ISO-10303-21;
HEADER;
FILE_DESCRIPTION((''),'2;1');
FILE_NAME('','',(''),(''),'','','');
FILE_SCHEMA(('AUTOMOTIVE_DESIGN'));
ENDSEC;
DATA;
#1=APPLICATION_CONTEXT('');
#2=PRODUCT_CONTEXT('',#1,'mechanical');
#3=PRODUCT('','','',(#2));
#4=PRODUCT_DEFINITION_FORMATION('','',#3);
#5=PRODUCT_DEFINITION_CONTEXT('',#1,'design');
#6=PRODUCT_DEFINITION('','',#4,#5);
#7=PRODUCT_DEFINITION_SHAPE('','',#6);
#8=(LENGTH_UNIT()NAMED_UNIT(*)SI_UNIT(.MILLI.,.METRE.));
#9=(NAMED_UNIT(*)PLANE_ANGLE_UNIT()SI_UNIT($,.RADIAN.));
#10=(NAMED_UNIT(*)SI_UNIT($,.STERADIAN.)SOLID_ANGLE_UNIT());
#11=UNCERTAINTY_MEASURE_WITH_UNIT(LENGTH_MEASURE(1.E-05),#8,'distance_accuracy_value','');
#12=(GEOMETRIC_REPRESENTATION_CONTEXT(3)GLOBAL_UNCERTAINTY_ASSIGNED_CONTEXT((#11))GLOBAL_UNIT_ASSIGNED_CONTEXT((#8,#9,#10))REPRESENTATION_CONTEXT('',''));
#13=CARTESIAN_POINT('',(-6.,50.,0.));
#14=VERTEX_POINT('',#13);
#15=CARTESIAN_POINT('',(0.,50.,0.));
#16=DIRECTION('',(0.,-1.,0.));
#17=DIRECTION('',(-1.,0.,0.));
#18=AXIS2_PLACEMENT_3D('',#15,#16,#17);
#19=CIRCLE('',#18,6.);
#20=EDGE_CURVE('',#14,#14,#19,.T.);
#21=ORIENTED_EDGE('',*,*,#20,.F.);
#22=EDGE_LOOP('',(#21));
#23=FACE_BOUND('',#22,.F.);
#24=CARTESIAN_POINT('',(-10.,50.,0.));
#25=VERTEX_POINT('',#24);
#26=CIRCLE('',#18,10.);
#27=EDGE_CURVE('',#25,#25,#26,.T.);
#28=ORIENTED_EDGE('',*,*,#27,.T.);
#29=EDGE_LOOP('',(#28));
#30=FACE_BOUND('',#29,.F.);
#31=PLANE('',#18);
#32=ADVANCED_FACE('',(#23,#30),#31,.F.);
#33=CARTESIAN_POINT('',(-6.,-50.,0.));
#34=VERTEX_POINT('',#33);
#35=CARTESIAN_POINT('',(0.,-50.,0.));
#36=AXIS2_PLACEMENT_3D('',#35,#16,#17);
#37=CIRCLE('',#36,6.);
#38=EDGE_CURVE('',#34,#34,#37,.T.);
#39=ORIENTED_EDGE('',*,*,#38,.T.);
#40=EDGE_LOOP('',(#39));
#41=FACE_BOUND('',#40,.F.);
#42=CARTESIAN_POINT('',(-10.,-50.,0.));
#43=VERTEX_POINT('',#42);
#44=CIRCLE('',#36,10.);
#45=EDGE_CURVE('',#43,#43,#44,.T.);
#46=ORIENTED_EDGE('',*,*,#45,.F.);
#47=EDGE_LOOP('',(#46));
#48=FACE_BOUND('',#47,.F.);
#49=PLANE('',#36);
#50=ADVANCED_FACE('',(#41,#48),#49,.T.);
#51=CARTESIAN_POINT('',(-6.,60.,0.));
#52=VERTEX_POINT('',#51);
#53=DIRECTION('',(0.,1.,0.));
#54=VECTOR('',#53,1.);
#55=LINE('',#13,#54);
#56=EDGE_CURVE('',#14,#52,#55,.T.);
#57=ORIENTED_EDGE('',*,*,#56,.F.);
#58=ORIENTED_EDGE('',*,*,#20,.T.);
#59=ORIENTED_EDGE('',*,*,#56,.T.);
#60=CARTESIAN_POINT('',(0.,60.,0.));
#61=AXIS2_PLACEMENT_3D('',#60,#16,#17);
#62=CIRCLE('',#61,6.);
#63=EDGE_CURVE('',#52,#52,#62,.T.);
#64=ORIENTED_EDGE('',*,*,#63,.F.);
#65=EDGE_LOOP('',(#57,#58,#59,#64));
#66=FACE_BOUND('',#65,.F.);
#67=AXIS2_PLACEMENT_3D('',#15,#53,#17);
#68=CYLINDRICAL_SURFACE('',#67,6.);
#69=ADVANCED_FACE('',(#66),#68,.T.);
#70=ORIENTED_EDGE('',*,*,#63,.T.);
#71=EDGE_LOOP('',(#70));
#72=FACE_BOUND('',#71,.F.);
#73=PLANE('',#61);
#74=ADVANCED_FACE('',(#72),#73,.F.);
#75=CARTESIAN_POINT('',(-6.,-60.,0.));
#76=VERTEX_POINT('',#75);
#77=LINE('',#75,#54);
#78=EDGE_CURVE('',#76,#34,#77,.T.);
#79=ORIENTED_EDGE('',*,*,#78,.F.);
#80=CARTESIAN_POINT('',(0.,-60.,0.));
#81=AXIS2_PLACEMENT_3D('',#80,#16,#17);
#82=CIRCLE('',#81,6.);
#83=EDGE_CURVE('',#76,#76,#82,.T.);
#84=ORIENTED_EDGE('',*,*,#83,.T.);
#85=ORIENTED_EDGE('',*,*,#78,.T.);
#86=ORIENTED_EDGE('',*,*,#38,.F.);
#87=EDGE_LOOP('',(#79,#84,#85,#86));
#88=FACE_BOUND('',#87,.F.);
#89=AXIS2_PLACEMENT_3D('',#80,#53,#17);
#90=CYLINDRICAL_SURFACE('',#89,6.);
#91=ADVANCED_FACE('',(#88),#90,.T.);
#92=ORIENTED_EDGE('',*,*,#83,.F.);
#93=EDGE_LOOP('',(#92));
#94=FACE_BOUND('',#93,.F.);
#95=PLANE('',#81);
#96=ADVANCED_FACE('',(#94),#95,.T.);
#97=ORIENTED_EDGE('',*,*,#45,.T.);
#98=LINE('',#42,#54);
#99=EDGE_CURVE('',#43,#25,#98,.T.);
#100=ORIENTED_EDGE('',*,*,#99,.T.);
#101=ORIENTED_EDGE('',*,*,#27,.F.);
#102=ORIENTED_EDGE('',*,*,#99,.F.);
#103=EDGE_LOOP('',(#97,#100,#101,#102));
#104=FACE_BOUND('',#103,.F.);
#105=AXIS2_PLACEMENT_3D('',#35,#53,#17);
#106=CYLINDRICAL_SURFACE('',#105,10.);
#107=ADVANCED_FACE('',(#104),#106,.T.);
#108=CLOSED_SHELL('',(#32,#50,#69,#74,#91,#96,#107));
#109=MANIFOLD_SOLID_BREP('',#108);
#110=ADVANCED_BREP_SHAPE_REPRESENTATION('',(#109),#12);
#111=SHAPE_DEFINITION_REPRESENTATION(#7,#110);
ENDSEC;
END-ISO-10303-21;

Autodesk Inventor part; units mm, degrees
ref_plane "YZ Plane" through (0, 0, 0) normal (1, 0, 0) x (0, 1, 0)
ref_plane "XZ Plane" through (0, 0, 0) normal (0, 1, 0) x (-1, 0, 0)
ref_plane "XY Plane" through (0, 0, 0) normal (0, 0, 1) x (1, 0, 0)
sketch "草圖1" plane through (0, 0, 0) normal (0, 0, 1) x (1, 0, 0)
  line L0 (-10, 50) -> (0, 50)
  line L1 (0, 50) -> (0, -50)
  line L2 (0, -50) -> (-10, -50)
  line L3 (-10, -50) -> (-10, 50)
  line L4 (-6, 60) -> (0, 60)
  line L5 (0, 60) -> (0, 50)
  line L6 (0, 50) -> (-6, 50)
  line L7 (-6, 50) -> (-6, 60)
  line L8 (-6, -50) -> (0, -50)
  line L9 (0, -50) -> (0, -60)
  line L10 (0, -60) -> (-6, -60)
  line L11 (-6, -60) -> (-6, -50)
  point P0 (0, 0)
  point P1 (0, 0)
  dimension "d1" = 10
  dimension "d2" = 120
  dimension "d3" = 100
  dimension "d4" = 6
  dimension "d5" = 6
revolve "迴轉1" add sketch "草圖1" angle 360 about axis through (0, 50, 0) along (0, -1, 0)
properties part number "2-2-6"
